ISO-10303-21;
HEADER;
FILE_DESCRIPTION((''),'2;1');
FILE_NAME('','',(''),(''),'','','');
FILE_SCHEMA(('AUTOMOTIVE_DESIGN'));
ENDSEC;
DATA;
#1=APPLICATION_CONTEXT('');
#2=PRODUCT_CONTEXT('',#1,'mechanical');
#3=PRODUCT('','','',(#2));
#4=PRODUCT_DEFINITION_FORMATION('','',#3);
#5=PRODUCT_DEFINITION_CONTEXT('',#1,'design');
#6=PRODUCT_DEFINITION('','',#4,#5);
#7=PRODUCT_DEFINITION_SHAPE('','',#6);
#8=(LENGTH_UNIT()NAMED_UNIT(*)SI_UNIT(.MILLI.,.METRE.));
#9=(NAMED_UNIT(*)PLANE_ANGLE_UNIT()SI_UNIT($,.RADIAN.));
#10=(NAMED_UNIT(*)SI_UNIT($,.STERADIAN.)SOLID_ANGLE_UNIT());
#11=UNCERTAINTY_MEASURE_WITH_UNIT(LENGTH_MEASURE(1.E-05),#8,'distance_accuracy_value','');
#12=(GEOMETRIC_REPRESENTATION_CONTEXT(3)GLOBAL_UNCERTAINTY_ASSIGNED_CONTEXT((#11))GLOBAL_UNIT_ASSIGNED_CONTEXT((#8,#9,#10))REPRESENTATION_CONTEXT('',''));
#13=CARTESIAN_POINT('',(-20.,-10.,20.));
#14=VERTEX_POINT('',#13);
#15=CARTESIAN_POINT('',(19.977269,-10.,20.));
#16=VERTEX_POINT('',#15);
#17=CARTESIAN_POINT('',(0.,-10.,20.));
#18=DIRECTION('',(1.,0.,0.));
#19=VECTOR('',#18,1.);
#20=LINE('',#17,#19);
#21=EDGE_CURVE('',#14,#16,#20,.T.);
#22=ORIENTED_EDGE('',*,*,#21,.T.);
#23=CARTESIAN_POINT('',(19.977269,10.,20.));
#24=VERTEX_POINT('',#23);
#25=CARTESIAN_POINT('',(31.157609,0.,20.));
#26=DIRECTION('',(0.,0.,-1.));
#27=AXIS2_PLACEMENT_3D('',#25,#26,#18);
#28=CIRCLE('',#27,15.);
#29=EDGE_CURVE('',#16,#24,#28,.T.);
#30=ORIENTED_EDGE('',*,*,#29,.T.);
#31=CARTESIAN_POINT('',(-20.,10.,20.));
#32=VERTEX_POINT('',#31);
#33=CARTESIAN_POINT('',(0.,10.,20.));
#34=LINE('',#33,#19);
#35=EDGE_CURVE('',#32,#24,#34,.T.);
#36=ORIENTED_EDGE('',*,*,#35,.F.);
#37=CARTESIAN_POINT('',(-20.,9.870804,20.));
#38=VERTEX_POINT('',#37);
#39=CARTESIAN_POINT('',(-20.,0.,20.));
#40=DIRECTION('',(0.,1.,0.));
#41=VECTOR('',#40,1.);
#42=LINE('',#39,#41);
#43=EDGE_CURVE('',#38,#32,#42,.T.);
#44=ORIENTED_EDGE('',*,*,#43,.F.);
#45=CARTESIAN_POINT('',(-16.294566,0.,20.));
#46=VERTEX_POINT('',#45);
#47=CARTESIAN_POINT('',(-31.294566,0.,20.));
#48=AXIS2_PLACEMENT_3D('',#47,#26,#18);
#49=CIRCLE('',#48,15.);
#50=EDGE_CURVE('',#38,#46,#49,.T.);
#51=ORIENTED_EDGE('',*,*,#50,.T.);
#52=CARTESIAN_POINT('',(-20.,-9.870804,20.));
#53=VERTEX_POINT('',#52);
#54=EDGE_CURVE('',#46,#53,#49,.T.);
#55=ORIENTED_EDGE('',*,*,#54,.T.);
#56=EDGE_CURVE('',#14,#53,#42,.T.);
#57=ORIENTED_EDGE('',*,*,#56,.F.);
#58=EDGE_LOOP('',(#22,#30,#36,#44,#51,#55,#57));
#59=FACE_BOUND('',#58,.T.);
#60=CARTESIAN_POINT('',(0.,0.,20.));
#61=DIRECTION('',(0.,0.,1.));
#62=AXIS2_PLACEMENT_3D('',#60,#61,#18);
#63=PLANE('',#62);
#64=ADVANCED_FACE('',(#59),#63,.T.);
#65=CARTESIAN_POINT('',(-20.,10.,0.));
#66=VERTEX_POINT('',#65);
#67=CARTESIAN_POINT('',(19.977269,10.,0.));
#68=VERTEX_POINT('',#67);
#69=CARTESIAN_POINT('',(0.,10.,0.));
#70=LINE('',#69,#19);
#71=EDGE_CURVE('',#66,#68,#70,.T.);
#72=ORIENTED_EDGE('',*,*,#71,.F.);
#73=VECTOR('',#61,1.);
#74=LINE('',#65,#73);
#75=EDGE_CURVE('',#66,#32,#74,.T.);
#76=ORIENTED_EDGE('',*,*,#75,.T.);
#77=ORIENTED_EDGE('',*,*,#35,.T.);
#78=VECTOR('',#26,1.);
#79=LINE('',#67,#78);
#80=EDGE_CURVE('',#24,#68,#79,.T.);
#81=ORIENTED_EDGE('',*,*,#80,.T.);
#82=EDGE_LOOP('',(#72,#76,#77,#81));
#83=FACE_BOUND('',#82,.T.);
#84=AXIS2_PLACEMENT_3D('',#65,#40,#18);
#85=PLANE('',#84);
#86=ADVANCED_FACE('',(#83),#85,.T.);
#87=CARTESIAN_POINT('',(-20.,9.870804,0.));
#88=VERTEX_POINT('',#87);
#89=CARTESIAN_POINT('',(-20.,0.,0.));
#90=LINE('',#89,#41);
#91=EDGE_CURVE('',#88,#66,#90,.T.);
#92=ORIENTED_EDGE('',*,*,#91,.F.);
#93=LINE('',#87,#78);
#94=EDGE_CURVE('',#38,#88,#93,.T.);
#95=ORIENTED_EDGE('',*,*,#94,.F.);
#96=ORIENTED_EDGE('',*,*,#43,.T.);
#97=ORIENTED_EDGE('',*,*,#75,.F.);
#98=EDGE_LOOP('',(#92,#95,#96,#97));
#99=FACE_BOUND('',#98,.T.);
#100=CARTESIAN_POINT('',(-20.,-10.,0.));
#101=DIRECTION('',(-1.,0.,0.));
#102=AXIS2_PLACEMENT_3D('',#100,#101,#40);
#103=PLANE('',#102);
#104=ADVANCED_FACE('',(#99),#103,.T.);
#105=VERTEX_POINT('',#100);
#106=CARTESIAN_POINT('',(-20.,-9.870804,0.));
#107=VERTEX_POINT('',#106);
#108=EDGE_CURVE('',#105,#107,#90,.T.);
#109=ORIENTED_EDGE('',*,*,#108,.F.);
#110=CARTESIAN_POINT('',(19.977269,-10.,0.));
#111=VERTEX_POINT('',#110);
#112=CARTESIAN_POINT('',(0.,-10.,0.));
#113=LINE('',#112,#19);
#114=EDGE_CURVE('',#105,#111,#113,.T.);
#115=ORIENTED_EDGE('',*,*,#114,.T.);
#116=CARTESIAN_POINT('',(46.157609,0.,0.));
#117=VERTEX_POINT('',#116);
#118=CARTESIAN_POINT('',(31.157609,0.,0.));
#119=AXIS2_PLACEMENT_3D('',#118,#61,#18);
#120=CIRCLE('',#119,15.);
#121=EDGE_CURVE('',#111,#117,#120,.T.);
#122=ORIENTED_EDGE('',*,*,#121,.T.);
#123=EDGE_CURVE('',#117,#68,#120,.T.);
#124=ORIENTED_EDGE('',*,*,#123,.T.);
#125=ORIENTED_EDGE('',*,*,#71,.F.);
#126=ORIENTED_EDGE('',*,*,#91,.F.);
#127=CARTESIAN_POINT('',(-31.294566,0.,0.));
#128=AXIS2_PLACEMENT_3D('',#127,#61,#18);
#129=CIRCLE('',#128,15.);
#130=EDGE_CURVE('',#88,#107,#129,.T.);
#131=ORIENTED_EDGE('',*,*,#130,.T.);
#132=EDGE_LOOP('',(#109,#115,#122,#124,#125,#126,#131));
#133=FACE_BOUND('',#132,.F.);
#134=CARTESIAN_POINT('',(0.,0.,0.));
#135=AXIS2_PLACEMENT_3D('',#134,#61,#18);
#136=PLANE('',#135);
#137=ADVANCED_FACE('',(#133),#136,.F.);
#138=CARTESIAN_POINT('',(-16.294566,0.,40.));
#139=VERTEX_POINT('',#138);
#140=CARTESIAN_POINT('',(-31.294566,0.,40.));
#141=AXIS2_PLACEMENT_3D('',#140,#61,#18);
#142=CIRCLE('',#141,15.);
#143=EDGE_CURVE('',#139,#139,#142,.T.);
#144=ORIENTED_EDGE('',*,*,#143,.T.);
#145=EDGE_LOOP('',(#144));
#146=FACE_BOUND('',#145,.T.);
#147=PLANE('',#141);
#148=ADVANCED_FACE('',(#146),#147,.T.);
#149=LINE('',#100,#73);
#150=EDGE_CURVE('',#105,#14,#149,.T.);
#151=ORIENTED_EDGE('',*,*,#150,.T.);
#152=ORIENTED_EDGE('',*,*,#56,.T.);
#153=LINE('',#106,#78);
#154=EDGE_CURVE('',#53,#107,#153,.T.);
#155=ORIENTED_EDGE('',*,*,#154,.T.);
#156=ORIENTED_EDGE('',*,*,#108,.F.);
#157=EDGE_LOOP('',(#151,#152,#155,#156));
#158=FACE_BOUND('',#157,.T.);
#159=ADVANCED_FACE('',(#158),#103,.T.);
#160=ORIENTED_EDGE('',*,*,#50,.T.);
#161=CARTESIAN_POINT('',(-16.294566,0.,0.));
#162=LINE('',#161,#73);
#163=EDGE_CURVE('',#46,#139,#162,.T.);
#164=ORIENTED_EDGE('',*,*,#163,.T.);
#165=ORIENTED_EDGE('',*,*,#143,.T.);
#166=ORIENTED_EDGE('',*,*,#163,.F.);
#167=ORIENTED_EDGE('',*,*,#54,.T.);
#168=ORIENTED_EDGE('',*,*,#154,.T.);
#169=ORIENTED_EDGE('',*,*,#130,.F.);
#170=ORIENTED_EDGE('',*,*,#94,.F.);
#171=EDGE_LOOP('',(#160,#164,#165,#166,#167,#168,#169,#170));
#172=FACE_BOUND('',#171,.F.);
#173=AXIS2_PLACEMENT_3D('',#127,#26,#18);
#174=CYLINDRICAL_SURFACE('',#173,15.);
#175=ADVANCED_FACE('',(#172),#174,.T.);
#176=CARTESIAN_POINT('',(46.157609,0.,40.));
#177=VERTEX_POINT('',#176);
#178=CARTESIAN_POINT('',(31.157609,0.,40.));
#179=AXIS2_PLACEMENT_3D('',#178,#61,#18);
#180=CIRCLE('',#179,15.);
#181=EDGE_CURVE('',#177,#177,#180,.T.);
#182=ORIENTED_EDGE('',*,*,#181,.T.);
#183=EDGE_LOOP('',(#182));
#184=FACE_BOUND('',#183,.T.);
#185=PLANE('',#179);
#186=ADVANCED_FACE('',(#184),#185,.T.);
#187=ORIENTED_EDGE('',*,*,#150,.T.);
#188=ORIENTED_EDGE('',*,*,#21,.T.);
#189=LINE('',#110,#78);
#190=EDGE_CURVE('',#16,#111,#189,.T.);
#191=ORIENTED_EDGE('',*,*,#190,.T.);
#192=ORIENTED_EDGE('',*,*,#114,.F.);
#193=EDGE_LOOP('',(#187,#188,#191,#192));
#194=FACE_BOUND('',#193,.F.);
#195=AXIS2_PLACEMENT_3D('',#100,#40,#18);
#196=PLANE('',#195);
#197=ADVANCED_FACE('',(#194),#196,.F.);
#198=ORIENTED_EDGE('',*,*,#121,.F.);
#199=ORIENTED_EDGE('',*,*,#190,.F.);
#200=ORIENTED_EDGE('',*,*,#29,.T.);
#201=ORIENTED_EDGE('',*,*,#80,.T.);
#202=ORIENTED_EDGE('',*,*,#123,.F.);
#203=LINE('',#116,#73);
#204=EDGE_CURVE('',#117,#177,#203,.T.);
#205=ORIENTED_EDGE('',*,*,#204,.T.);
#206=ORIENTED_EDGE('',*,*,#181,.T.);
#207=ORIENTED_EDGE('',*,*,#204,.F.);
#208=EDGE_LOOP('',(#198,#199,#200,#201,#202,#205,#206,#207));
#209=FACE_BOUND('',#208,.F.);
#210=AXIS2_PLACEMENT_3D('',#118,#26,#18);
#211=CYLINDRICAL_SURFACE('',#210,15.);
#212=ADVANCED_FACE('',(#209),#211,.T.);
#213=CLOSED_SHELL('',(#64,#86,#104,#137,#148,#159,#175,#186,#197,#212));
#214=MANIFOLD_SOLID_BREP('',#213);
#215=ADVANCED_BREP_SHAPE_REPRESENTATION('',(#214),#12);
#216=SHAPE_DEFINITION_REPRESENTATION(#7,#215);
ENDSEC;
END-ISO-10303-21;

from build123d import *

# Parameters (mm, degrees)
F0_W     = 40
F0_H     = 20
F2_DEPTH = 20
F1_R     = 15
F3_DEPTH = 40


with BuildPart() as f2:
    # F0 (on Top) → F2 (new body)
    with BuildSketch(Plane.XY):
        Rectangle(F0_W, F0_H)
    extrude(amount=F2_DEPTH)

    # F1 (on Top) → F3 (join)
    with BuildSketch(Plane.XY):
        with Locations((-31.294566, 0)):
            Circle(F1_R)
        with Locations((31.157609, 0)):
            Circle(F1_R)
    extrude(amount=F3_DEPTH)


solid = f2.part
